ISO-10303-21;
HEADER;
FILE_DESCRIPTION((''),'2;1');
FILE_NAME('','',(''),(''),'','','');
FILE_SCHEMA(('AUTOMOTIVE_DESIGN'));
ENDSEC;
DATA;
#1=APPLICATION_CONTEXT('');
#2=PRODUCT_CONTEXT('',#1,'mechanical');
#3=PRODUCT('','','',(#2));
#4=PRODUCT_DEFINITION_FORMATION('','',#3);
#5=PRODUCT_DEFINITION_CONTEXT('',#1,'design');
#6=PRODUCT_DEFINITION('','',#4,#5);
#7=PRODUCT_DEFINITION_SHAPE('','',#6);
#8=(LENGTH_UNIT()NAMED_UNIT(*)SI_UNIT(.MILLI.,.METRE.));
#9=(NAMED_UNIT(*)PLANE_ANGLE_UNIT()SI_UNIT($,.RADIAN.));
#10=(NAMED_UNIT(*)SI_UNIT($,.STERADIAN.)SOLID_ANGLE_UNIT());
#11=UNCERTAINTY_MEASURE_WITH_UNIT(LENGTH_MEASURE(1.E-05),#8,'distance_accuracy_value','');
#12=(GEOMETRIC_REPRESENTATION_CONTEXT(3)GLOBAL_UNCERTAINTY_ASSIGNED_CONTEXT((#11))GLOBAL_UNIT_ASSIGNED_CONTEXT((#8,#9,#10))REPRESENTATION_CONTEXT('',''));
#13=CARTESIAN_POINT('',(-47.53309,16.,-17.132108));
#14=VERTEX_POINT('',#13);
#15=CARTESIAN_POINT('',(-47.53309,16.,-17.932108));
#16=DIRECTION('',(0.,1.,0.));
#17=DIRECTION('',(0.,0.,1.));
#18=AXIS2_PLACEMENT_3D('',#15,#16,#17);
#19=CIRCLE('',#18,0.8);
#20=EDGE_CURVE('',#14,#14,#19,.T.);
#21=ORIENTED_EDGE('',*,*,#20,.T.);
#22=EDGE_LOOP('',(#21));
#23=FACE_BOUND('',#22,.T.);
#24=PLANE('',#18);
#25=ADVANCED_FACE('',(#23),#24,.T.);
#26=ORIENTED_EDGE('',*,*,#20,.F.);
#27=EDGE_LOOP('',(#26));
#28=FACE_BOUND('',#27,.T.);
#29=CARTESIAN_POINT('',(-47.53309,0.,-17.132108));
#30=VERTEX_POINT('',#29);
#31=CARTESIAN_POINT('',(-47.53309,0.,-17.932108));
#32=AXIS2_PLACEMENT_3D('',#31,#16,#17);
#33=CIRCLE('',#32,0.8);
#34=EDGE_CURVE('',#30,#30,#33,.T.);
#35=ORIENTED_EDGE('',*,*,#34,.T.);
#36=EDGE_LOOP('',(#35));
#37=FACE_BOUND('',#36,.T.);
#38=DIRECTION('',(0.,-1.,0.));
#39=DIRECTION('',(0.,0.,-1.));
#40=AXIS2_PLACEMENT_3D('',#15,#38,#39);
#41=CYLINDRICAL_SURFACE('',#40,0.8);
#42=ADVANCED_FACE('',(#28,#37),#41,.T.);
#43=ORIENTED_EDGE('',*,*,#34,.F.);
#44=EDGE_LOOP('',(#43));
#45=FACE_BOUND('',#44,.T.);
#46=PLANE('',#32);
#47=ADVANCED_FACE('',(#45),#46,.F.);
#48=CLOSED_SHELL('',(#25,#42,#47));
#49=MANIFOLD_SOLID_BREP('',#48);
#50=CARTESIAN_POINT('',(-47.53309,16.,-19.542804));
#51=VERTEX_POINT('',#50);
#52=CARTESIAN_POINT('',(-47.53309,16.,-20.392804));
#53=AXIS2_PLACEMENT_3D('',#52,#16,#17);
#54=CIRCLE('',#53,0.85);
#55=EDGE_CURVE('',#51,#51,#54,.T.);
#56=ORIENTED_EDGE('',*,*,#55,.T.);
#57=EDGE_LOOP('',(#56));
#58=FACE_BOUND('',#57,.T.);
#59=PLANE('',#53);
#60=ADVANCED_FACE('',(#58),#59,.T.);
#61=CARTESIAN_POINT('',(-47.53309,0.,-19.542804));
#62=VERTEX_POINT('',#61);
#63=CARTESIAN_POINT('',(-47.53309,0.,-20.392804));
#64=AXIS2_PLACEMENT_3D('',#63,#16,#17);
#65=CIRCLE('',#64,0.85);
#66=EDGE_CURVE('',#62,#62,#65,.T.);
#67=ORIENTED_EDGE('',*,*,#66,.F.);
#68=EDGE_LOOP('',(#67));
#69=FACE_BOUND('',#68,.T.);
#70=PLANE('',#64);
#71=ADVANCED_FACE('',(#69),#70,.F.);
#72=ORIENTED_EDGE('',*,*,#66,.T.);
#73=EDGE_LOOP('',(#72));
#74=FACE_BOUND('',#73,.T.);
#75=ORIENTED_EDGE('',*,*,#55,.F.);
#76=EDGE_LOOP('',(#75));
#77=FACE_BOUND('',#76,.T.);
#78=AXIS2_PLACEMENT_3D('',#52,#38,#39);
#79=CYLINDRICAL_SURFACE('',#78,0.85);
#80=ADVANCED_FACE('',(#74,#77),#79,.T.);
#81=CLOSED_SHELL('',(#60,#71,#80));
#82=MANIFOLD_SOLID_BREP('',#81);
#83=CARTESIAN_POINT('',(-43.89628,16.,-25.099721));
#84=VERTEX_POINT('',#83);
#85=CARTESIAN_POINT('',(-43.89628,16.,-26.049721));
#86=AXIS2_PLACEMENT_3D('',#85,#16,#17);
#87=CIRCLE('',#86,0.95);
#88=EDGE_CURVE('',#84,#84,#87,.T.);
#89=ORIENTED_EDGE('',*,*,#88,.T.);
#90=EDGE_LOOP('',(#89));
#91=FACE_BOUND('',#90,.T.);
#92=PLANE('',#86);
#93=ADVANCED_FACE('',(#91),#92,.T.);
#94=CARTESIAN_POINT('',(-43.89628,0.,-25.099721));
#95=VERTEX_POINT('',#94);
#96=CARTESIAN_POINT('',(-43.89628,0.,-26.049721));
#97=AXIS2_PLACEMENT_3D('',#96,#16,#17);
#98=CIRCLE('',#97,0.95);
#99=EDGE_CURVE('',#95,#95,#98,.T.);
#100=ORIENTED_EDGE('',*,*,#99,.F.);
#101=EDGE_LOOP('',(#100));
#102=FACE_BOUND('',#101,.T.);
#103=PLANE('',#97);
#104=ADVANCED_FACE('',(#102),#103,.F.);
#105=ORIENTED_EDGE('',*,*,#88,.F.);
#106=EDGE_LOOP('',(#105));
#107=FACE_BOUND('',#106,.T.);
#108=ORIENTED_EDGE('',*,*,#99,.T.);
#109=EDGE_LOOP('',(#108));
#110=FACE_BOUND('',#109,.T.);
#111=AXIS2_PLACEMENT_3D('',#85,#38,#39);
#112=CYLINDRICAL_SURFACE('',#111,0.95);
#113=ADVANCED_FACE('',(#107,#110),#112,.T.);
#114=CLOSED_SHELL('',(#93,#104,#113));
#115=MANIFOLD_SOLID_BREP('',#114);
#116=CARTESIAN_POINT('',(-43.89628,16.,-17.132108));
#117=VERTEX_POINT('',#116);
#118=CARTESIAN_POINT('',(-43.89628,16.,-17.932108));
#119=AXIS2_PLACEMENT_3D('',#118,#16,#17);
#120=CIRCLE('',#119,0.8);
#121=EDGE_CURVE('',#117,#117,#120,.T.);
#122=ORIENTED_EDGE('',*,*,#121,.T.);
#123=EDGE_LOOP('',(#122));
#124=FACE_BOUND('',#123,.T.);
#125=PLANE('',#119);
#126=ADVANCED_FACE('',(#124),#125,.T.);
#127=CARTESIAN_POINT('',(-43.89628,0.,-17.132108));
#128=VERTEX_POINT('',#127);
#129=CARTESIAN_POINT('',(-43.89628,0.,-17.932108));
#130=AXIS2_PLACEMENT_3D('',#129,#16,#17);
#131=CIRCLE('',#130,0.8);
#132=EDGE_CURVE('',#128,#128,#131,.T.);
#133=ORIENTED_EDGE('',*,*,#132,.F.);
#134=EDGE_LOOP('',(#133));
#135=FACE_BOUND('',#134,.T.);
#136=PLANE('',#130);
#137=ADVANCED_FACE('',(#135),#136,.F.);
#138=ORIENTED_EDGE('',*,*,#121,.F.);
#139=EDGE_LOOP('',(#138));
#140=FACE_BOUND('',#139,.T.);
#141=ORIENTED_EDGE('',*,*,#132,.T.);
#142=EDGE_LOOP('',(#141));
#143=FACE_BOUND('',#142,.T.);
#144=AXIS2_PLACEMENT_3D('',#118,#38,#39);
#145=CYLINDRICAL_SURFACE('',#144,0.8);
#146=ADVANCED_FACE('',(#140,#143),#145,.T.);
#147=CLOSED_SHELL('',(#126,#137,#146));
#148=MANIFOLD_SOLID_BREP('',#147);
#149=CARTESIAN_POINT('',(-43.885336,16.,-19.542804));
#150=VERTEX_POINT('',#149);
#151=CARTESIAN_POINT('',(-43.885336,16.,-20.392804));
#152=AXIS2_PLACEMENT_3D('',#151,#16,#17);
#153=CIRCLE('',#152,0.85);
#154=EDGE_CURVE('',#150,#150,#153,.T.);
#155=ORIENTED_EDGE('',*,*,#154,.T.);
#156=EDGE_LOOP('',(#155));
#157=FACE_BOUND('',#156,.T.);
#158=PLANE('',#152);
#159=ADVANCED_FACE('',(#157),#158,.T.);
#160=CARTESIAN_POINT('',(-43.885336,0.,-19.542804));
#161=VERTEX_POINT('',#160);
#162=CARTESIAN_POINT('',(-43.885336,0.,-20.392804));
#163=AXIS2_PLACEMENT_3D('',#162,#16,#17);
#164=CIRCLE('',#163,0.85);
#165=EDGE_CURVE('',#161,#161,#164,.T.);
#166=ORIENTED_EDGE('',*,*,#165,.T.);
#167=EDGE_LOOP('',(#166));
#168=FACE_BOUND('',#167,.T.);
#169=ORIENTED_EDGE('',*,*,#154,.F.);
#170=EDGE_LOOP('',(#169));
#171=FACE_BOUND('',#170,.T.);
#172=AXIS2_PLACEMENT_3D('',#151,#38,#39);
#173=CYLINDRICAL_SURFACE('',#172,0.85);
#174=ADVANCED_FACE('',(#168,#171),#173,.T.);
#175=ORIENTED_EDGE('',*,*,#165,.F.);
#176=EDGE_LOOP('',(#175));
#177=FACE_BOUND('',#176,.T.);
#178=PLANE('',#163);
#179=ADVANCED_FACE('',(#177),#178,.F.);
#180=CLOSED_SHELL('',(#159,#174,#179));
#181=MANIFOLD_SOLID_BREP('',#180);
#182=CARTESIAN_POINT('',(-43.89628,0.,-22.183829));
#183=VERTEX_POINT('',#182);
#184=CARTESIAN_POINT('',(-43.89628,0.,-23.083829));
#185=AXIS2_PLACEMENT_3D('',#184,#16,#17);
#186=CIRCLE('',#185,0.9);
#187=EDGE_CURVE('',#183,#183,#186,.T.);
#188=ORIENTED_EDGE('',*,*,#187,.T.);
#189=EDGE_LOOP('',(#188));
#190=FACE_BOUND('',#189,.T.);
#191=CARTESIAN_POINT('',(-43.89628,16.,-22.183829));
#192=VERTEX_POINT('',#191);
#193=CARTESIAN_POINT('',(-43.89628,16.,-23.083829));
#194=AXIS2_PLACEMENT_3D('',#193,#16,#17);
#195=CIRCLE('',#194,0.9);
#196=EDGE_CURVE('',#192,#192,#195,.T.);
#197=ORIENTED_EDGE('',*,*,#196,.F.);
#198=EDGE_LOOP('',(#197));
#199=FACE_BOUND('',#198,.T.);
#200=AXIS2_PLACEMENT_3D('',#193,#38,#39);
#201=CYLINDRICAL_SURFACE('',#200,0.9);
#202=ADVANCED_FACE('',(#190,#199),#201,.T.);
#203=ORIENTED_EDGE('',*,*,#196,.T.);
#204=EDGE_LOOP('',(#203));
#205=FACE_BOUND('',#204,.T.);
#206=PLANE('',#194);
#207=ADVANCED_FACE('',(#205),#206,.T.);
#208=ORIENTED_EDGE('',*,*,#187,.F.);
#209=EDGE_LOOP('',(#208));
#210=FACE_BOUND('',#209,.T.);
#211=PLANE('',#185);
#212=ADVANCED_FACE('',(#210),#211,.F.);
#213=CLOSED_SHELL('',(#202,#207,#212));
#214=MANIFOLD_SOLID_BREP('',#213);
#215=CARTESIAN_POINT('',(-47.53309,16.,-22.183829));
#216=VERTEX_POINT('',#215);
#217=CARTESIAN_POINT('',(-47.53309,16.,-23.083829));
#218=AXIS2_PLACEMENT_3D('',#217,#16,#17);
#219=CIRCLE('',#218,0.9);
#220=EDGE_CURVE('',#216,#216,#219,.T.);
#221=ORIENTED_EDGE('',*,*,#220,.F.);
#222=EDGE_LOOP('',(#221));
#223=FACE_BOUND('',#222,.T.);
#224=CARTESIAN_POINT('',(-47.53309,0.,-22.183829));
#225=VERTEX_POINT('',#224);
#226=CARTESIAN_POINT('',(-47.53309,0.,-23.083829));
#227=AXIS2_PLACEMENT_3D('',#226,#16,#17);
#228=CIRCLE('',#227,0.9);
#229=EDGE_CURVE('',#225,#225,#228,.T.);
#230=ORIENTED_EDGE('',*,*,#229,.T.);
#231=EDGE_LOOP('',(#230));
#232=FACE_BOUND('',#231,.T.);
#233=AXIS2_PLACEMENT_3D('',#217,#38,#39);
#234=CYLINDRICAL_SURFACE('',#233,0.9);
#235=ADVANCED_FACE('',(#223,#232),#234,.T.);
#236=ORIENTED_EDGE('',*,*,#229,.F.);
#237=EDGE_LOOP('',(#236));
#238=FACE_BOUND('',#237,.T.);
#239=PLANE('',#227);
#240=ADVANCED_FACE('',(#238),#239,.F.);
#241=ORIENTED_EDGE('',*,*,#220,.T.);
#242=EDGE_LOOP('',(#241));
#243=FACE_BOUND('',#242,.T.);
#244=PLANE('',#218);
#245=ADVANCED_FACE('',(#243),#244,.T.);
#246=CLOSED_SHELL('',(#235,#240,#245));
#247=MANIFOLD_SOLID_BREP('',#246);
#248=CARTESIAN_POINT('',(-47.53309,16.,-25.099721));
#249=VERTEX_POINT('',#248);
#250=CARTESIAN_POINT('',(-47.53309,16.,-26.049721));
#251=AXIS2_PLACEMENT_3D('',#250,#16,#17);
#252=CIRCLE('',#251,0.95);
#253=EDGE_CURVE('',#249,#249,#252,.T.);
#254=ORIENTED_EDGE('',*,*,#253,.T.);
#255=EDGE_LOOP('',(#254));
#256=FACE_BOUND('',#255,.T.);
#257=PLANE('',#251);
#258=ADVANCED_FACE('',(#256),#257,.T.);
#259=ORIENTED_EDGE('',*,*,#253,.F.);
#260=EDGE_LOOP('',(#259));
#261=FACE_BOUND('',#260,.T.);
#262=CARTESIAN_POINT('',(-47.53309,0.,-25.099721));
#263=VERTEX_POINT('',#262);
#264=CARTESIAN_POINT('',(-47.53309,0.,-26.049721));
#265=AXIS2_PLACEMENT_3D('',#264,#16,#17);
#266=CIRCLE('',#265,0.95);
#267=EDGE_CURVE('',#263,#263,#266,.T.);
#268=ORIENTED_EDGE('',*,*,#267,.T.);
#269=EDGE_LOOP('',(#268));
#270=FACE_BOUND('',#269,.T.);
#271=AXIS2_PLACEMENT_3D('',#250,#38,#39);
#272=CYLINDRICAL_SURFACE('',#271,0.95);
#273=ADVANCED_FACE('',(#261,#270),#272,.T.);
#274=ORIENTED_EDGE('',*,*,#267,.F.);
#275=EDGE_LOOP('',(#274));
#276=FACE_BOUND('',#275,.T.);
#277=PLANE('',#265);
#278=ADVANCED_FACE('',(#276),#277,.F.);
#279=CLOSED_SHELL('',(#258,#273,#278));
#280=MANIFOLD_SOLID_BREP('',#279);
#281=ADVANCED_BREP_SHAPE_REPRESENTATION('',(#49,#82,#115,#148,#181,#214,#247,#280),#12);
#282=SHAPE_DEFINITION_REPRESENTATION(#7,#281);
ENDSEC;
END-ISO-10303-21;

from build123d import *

# Parameters (mm, degrees)
SKETCH2_R             = 0.9
BOSS_EXTRUDE1_DEPTH   = 16
BOSS_EXTRUDE1_2_DEPTH = 16
SKETCH2_R_2           = 0.85
BOSS_EXTRUDE1_3_DEPTH = 16
BOSS_EXTRUDE1_4_DEPTH = 16
SKETCH2_R_3           = 0.8
BOSS_EXTRUDE1_5_DEPTH = 16
BOSS_EXTRUDE1_6_DEPTH = 16
SKETCH2_R_4           = 0.95
BOSS_EXTRUDE1_7_DEPTH = 16
BOSS_EXTRUDE1_8_DEPTH = 16


with BuildPart() as part:
    # Sketch2 → Boss-Extrude1 (new body)
    with BuildSketch(Plane(origin=(0, 0, 0), x_dir=(1, 0, 0), z_dir=(0, 1, 0))):
        with Locations(Location((-47.533090066, 23.083829298, 0), (0, 0, 270))):
            Circle(SKETCH2_R)
    extrude(amount=BOSS_EXTRUDE1_DEPTH)


with BuildPart() as body_2:
    # Sketch2 → Boss-Extrude1 2 (new body)
    with BuildSketch(Plane(origin=(0, 0, 0), x_dir=(1, 0, 0), z_dir=(0, 1, 0))):
        with Locations(Location((-43.896280183, 23.083829298, 0), (0, 0, 270))):
            Circle(SKETCH2_R)
    extrude(amount=BOSS_EXTRUDE1_2_DEPTH)


with BuildPart() as body_3:
    # Sketch2 → Boss-Extrude1 3 (new body)
    with BuildSketch(Plane(origin=(0, 0, 0), x_dir=(1, 0, 0), z_dir=(0, 1, 0))):
        with Locations(Location((-47.533090066, 20.392803886, 0), (0, 0, 270))):
            Circle(SKETCH2_R_2)
    extrude(amount=BOSS_EXTRUDE1_3_DEPTH)


with BuildPart() as body_4:
    # Sketch2 → Boss-Extrude1 4 (new body)
    with BuildSketch(Plane(origin=(0, 0, 0), x_dir=(1, 0, 0), z_dir=(0, 1, 0))):
        with Locations(Location((-43.885336498, 20.392803886, 0), (0, 0, 270))):
            Circle(SKETCH2_R_2)
    extrude(amount=BOSS_EXTRUDE1_4_DEPTH)


with BuildPart() as body_5:
    # Sketch2 → Boss-Extrude1 5 (new body)
    with BuildSketch(Plane(origin=(0, 0, 0), x_dir=(1, 0, 0), z_dir=(0, 1, 0))):
        with Locations(Location((-47.533090066, 17.932108277, 0), (0, 0, 270))):
            Circle(SKETCH2_R_3)
    extrude(amount=BOSS_EXTRUDE1_5_DEPTH)


with BuildPart() as body_6:
    # Sketch2 → Boss-Extrude1 6 (new body)
    with BuildSketch(Plane(origin=(0, 0, 0), x_dir=(1, 0, 0), z_dir=(0, 1, 0))):
        with Locations(Location((-43.896280183, 17.932108277, 0), (0, 0, 270))):
            Circle(SKETCH2_R_3)
    extrude(amount=BOSS_EXTRUDE1_6_DEPTH)


with BuildPart() as body_7:
    # Sketch2 → Boss-Extrude1 7 (new body)
    with BuildSketch(Plane(origin=(0, 0, 0), x_dir=(1, 0, 0), z_dir=(0, 1, 0))):
        with Locations(Location((-47.533090066, 26.049720524, 0), (0, 0, 270))):
            Circle(SKETCH2_R_4)
    extrude(amount=BOSS_EXTRUDE1_7_DEPTH)


with BuildPart() as body_8:
    # Sketch2 → Boss-Extrude1 8 (new body)
    with BuildSketch(Plane(origin=(0, 0, 0), x_dir=(1, 0, 0), z_dir=(0, 1, 0))):
        with Locations(Location((-43.896280183, 26.049720524, 0), (0, 0, 270))):
            Circle(SKETCH2_R_4)
    extrude(amount=BOSS_EXTRUDE1_8_DEPTH)


solid = Compound([part.part, body_2.part, body_3.part, body_4.part, body_5.part, body_6.part, body_7.part, body_8.part])
